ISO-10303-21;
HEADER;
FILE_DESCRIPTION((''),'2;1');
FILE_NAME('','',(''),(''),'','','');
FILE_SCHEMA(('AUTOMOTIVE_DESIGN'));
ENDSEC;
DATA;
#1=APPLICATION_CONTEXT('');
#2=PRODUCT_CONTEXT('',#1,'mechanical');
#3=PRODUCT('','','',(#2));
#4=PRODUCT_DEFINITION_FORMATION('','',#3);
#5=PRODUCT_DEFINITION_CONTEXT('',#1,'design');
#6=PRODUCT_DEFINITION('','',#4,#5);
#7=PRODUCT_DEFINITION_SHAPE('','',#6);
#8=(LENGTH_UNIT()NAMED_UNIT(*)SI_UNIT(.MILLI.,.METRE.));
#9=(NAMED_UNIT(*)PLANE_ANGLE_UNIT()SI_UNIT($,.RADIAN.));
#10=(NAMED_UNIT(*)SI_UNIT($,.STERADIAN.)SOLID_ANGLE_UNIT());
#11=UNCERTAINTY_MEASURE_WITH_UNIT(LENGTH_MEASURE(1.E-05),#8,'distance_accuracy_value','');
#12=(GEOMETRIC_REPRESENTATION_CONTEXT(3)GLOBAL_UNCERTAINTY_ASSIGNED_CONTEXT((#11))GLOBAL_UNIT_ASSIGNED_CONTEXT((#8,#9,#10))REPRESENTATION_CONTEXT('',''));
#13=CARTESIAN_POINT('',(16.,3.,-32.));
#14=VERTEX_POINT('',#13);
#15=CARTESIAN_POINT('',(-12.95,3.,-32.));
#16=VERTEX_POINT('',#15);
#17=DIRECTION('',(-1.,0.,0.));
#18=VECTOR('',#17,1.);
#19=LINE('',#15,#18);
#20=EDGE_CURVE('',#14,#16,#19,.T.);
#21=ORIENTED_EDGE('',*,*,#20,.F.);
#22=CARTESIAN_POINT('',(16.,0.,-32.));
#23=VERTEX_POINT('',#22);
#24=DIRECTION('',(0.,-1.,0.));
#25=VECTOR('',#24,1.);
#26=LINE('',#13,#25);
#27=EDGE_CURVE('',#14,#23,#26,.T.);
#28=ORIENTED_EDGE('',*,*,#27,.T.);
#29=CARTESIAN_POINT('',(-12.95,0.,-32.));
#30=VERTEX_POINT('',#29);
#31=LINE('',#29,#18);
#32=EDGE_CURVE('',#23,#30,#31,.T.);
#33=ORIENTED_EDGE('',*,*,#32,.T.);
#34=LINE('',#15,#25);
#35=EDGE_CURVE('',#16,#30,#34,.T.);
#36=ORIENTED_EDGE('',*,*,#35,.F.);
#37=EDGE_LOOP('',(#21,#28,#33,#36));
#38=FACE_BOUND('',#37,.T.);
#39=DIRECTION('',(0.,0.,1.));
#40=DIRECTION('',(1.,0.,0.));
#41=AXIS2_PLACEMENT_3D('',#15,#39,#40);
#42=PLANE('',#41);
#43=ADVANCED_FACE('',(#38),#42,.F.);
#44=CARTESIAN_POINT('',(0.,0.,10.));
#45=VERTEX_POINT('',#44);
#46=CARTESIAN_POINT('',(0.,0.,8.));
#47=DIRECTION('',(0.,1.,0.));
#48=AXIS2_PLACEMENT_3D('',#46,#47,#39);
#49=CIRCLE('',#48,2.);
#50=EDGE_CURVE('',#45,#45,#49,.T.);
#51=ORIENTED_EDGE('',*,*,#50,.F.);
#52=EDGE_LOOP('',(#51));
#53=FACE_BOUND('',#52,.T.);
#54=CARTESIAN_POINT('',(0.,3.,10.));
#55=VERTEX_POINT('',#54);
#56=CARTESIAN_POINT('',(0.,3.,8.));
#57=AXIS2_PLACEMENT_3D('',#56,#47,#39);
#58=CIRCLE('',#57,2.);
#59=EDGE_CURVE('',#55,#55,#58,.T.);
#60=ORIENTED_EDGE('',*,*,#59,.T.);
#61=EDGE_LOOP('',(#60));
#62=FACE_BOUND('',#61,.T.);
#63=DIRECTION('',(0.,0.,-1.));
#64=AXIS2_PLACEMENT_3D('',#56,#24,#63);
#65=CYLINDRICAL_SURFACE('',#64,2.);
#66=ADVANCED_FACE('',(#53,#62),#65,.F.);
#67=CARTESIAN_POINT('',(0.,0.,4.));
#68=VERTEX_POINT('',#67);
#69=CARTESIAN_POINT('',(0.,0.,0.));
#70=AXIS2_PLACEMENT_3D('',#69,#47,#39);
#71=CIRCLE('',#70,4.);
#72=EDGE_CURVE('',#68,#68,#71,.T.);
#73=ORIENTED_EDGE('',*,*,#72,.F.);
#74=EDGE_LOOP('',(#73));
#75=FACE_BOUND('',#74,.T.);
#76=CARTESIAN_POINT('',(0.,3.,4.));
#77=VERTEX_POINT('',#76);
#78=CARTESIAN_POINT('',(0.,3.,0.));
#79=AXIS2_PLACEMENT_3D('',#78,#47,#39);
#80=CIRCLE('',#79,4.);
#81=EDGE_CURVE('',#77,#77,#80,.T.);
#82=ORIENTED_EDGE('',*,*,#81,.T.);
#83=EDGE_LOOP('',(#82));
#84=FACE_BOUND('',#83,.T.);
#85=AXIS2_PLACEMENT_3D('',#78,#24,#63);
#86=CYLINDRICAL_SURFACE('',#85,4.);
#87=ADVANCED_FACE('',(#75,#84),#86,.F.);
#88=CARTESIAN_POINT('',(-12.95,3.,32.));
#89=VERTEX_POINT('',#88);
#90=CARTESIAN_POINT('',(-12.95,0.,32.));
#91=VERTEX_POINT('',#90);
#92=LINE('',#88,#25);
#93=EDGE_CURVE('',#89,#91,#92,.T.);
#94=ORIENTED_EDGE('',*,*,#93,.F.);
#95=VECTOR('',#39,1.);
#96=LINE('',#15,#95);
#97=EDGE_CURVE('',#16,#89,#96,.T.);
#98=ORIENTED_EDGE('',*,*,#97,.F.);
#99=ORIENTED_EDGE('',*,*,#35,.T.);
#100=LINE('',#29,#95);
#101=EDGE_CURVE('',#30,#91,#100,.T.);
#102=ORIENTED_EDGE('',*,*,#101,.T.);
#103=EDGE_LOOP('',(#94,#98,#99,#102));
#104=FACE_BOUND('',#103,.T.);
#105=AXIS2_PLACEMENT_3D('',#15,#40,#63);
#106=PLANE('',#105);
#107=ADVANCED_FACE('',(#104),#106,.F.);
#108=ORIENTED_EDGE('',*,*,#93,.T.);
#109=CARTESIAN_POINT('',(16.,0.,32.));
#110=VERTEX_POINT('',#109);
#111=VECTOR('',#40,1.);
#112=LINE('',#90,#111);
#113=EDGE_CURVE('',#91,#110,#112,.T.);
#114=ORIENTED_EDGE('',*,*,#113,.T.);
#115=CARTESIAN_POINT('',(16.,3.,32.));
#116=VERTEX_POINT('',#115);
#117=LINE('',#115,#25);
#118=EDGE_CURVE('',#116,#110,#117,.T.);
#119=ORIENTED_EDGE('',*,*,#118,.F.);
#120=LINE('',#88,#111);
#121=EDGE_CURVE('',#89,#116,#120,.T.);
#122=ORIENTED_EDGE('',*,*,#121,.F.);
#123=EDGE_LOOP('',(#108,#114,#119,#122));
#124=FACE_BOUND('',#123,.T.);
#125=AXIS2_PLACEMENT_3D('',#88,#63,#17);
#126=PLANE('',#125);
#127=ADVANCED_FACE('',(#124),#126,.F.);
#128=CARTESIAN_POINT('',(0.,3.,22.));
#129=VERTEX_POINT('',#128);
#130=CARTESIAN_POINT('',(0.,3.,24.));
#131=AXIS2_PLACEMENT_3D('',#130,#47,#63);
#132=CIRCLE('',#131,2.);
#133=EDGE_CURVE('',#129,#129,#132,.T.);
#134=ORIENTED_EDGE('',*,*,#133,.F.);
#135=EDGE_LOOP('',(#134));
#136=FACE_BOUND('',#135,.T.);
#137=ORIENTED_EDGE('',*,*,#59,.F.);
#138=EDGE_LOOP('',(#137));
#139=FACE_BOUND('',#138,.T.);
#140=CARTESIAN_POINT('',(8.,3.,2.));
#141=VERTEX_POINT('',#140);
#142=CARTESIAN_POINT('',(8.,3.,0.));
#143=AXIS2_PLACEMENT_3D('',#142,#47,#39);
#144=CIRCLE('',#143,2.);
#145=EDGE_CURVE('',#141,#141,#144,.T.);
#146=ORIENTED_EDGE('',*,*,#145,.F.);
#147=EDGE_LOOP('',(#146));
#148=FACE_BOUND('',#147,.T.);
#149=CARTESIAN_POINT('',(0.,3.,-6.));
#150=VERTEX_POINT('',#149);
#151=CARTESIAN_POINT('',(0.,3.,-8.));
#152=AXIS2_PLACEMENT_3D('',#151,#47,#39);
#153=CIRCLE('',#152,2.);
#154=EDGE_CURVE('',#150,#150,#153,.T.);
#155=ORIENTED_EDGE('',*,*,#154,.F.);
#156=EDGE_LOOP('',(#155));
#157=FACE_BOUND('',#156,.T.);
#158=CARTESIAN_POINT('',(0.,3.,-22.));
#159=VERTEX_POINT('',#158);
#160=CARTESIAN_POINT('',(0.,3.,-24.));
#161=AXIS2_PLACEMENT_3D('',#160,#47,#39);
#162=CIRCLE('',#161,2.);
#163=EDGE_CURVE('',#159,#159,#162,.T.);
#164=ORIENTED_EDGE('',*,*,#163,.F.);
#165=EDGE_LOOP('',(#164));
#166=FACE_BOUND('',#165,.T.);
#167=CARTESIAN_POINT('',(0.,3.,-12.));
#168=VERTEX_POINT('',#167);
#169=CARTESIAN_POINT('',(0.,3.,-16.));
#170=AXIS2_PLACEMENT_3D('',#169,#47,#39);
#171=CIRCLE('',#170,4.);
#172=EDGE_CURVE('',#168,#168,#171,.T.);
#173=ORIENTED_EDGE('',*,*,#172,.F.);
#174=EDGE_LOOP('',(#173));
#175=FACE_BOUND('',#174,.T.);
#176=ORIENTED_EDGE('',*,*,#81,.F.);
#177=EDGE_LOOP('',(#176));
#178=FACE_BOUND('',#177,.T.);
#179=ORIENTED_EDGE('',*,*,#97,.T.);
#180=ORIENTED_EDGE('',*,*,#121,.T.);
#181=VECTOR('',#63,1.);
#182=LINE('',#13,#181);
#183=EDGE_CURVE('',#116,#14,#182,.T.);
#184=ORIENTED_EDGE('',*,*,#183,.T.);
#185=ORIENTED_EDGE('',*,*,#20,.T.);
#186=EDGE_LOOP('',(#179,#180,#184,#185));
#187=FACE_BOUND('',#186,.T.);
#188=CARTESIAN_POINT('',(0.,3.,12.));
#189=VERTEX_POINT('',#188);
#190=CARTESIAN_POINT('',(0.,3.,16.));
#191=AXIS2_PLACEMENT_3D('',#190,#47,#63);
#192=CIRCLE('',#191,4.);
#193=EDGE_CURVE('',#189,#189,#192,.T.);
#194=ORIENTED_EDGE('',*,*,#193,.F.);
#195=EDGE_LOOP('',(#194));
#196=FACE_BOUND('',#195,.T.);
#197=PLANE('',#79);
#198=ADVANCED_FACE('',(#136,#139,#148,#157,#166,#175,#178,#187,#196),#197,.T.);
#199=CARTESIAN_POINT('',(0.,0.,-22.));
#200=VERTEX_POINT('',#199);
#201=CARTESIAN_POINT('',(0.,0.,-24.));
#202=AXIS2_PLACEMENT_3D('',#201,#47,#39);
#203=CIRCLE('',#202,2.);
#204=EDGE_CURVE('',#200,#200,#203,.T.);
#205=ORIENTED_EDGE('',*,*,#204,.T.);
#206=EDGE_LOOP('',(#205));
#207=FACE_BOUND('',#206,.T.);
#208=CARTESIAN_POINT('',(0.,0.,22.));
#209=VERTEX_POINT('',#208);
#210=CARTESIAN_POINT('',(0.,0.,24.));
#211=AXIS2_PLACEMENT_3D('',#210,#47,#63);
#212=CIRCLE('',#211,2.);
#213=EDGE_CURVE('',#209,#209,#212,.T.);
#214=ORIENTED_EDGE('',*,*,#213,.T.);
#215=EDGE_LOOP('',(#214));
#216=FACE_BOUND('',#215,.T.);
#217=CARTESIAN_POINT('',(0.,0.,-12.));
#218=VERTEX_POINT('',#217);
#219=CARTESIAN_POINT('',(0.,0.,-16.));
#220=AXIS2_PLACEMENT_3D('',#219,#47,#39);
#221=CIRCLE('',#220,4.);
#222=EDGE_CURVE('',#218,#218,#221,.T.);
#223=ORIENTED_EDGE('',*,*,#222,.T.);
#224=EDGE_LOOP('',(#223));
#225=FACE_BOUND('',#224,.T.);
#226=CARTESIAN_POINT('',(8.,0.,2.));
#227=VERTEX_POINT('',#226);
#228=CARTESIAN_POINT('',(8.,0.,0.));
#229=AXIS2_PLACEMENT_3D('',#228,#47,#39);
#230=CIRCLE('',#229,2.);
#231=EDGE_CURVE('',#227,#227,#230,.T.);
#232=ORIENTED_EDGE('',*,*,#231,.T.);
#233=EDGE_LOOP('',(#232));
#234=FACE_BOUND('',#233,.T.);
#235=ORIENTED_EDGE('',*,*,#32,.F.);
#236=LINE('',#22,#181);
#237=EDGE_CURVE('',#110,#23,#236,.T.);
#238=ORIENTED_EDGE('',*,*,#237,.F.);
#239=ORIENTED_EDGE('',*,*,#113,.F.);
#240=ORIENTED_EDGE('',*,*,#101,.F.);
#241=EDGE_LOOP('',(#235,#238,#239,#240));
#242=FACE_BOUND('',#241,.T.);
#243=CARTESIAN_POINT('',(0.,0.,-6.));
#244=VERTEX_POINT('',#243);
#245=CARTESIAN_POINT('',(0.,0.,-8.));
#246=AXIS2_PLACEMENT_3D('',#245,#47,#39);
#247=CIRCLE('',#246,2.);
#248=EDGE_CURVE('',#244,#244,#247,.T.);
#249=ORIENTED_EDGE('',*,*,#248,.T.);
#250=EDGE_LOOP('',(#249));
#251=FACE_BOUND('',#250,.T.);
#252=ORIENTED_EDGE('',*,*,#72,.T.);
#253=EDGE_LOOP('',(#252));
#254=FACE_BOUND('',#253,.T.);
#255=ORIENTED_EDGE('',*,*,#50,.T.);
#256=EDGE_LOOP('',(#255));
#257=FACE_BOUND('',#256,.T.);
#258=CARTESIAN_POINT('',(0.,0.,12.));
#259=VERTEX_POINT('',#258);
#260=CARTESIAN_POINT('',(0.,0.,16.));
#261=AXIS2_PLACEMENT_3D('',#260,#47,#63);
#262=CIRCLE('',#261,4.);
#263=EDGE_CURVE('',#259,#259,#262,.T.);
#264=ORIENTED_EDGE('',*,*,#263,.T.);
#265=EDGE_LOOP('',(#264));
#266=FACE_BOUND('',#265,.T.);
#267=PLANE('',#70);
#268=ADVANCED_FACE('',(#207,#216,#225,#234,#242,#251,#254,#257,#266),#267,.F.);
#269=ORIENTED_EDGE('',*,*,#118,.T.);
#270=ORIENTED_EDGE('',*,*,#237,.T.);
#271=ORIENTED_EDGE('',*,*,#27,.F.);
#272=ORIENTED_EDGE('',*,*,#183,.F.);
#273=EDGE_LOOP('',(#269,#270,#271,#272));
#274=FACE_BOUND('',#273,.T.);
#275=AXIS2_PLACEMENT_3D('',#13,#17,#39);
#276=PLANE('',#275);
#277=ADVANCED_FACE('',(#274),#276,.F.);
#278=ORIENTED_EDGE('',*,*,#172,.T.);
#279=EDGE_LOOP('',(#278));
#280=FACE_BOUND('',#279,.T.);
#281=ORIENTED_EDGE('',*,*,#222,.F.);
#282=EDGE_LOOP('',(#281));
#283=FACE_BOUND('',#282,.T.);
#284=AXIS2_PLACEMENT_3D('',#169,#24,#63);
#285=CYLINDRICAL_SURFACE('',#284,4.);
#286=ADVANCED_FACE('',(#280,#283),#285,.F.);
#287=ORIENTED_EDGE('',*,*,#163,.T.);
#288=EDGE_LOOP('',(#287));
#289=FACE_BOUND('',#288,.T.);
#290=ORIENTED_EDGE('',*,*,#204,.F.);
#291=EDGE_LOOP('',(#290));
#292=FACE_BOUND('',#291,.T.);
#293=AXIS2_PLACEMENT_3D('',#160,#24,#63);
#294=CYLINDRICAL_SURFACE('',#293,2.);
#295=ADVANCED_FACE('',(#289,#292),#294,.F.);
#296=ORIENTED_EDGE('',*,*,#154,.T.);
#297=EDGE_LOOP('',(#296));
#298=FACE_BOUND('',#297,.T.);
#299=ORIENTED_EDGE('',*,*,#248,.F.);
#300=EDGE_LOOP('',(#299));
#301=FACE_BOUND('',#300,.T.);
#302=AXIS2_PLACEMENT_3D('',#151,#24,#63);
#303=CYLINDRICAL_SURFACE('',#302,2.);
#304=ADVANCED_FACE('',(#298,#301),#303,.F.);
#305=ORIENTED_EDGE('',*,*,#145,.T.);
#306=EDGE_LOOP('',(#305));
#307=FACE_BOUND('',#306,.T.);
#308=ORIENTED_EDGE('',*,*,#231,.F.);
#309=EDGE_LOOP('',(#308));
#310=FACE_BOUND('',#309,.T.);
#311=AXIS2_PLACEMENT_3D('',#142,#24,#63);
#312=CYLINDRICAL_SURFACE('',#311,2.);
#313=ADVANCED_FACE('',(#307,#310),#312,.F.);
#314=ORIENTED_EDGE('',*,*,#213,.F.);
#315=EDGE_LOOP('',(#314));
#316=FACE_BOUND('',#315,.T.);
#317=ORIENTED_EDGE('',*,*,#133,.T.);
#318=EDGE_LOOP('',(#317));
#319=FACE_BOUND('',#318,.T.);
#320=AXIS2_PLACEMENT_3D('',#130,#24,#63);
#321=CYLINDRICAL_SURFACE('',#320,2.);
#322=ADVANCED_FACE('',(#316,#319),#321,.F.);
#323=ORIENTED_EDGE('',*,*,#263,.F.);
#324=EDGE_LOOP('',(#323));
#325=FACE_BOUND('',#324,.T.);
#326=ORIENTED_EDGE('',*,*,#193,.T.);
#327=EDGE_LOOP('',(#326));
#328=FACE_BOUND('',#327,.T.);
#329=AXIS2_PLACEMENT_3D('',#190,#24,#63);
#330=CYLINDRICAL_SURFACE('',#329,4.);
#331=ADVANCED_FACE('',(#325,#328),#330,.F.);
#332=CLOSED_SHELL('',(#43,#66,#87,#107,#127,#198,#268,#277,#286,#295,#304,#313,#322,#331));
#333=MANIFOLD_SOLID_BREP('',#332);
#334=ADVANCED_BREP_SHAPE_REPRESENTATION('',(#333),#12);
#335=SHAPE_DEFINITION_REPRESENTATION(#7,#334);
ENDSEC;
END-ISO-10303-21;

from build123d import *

# Parameters (mm, degrees)
SKETCH1_W           = 28.95
SKETCH1_H           = 64
SKETCH1_R           = 4
SKETCH1_R_2         = 2
BOSS_EXTRUDE1_DEPTH = 3


with BuildPart() as part:
    # Sketch1 → Boss-Extrude1 (new body)
    with BuildSketch(Plane(origin=(0, 0, 0), x_dir=(1, 0, 0), z_dir=(0, 1, 0))):
        with Locations((1.525, 0)):
            Rectangle(SKETCH1_W, SKETCH1_H)
        with Locations(Location((0, 0, 0), (0, 0, 270))):
            Circle(SKETCH1_R, mode=Mode.SUBTRACT)
        with Locations(Location((0, 8, 0), (0, 0, 270))):
            Circle(SKETCH1_R_2, mode=Mode.SUBTRACT)
        with Locations(Location((8, 0, 0), (0, 0, 270))):
            Circle(SKETCH1_R_2, mode=Mode.SUBTRACT)
        with Locations(Location((0, -8, 0), (0, 0, 270))):
            Circle(SKETCH1_R_2, mode=Mode.SUBTRACT)
        with Locations(Location((0, 16, 0), (0, 0, 270))):
            Circle(SKETCH1_R, mode=Mode.SUBTRACT)
        with Locations(Location((0, 24, 0), (0, 0, 270))):
            Circle(SKETCH1_R_2, mode=Mode.SUBTRACT)
        with Locations(Location((0, -24, 0), (0, 0, 90))):
            Circle(SKETCH1_R_2, mode=Mode.SUBTRACT)
        with Locations(Location((0, -16, 0), (0, 0, 90))):
            Circle(SKETCH1_R, mode=Mode.SUBTRACT)
    extrude(amount=BOSS_EXTRUDE1_DEPTH)


solid = part.part
